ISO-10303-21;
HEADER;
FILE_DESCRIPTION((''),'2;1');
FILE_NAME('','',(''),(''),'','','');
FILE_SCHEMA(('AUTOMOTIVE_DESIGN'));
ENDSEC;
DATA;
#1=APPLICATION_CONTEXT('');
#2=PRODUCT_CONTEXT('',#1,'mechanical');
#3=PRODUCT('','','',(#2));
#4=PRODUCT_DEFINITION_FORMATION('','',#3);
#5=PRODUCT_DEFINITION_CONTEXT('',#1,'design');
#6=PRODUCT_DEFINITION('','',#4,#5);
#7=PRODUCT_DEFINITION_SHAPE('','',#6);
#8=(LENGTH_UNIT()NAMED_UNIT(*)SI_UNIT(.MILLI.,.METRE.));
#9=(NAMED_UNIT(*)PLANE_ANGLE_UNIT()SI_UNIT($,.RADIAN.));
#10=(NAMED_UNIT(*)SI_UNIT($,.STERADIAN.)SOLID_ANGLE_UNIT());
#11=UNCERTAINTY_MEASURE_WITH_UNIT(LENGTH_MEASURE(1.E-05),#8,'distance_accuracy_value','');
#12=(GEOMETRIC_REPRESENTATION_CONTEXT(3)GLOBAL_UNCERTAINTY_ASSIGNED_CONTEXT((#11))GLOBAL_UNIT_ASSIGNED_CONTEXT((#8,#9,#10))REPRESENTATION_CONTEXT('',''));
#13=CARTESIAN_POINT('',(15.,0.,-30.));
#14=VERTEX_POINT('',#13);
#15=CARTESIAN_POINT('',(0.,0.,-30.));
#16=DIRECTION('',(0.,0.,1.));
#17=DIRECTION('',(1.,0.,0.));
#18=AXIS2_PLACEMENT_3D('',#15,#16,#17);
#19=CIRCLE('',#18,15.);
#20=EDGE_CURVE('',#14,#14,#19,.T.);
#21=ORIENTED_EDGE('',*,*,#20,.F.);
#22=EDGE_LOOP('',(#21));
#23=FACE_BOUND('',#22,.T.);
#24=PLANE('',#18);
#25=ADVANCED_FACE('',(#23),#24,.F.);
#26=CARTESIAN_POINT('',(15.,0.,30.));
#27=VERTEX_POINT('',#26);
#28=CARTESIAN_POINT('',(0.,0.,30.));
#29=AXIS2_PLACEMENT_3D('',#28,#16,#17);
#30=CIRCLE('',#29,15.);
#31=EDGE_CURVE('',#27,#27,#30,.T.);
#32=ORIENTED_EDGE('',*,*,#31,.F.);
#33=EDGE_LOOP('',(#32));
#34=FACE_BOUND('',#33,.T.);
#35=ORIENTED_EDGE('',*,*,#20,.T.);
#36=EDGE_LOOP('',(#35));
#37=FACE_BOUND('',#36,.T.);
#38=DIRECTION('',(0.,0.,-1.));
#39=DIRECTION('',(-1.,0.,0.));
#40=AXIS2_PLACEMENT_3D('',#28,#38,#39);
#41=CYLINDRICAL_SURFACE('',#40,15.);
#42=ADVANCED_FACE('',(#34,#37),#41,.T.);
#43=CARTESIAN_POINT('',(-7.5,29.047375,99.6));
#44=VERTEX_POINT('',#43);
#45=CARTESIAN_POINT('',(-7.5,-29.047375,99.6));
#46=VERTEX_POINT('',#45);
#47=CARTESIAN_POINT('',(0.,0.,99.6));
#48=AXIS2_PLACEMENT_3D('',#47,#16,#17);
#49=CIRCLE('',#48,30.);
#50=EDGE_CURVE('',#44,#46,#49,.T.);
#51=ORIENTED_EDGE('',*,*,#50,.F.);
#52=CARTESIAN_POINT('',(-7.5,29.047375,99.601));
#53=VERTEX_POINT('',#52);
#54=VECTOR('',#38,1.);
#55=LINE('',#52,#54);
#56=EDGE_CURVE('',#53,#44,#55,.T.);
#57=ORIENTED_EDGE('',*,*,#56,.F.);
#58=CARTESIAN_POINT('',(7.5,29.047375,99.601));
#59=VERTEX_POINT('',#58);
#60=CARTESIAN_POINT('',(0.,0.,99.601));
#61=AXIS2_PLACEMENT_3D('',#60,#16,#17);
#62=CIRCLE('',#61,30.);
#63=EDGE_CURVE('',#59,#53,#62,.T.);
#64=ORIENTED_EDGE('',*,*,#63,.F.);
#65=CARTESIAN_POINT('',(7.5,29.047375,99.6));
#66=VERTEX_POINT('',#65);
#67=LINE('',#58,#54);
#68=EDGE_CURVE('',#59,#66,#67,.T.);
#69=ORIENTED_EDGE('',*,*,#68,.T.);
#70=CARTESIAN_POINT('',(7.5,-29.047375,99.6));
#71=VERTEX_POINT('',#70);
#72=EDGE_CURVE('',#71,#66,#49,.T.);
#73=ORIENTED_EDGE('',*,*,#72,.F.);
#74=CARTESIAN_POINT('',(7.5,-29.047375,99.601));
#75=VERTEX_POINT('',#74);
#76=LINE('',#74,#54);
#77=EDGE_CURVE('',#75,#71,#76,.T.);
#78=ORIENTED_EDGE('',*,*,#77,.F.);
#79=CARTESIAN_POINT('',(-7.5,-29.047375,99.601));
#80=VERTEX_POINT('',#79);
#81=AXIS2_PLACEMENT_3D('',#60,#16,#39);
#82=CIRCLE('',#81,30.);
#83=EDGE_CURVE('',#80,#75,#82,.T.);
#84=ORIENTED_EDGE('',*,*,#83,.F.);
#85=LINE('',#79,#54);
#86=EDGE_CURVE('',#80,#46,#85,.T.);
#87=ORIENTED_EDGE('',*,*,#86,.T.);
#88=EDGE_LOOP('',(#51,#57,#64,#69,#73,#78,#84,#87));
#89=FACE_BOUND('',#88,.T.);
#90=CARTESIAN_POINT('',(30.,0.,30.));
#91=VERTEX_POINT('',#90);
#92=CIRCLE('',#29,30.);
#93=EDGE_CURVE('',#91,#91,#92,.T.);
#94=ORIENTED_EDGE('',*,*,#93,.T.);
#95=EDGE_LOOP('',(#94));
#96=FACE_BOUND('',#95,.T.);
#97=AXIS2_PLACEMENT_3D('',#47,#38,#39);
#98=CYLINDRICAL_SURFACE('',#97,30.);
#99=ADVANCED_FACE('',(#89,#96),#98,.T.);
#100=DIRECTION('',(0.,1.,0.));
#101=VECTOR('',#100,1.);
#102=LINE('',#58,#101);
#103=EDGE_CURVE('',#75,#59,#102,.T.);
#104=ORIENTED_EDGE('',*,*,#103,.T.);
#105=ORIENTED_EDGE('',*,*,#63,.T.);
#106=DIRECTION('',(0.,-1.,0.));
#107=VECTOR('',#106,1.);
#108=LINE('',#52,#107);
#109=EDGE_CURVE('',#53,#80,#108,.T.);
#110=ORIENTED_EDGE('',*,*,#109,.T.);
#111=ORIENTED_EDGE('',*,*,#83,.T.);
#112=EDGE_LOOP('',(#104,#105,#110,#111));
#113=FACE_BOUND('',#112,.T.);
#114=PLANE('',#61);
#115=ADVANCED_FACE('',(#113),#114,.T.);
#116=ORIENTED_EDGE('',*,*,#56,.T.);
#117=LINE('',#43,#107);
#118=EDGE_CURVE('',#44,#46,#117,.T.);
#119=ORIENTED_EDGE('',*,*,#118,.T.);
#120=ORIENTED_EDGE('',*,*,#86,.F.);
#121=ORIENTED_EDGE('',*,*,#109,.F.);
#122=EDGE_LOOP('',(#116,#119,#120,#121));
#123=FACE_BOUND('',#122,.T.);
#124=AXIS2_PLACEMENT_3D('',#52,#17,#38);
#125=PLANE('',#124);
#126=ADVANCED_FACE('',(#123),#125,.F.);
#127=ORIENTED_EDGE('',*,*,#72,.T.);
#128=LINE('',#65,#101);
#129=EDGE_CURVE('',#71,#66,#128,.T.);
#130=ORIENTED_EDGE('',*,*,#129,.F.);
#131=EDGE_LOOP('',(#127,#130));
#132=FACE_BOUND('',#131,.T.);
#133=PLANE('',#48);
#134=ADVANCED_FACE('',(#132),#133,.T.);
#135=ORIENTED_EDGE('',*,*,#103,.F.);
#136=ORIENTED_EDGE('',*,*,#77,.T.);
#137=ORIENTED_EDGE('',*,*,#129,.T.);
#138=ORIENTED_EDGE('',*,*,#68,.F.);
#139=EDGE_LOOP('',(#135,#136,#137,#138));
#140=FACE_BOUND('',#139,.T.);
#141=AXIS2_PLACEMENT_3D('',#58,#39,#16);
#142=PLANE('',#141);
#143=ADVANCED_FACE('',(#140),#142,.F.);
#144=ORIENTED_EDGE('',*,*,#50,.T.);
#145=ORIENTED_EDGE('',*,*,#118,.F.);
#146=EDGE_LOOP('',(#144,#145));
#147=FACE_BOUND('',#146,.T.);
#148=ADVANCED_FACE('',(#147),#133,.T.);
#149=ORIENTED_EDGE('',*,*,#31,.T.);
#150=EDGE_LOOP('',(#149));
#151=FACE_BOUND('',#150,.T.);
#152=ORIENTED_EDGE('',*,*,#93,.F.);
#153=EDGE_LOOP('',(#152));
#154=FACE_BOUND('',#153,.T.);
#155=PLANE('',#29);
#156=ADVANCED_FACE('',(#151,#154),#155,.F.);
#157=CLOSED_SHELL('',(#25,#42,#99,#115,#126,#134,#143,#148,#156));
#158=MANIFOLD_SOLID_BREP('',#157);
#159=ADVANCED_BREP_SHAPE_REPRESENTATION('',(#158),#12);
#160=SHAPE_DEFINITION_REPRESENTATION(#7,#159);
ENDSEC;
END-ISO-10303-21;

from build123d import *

# Parameters (mm, degrees)
SKETCH1_LINK6_R     = 15
BOSS_EXTRUDE1_DEPTH = 30
SKETCH2_LINK6_R     = 30
BOSS_EXTRUDE2_DEPTH = 69.6
BOSS_EXTRUDE3_DEPTH = 0.001


with BuildPart() as part:
    # sketch1_link6 → Boss-Extrude1 (new body, symmetric)
    with BuildSketch(Plane.XY):
        Circle(SKETCH1_LINK6_R)
    extrude(amount=BOSS_EXTRUDE1_DEPTH, both=True)

    # sketch2_link6 → Boss-Extrude2 (add)
    with BuildSketch(Plane.XY.offset(30)):
        Circle(SKETCH2_LINK6_R)
    extrude(amount=BOSS_EXTRUDE2_DEPTH)

    # sketch3_link6 → Boss-Extrude3 (add)
    with BuildSketch(Plane.XY.offset(99.6)):
        with BuildLine():
            Line((-7.5, 29.047375097), (-7.5, -29.047375097))
            ThreePointArc((-7.5, -29.047375097), (0, -30), (7.5, -29.047375097))
            Line((7.5, -29.047375097), (7.5, 29.047375097))
            ThreePointArc((7.5, 29.047375097), (0, 30), (-7.5, 29.047375097))
        make_face()
    extrude(amount=BOSS_EXTRUDE3_DEPTH)


solid = part.part
